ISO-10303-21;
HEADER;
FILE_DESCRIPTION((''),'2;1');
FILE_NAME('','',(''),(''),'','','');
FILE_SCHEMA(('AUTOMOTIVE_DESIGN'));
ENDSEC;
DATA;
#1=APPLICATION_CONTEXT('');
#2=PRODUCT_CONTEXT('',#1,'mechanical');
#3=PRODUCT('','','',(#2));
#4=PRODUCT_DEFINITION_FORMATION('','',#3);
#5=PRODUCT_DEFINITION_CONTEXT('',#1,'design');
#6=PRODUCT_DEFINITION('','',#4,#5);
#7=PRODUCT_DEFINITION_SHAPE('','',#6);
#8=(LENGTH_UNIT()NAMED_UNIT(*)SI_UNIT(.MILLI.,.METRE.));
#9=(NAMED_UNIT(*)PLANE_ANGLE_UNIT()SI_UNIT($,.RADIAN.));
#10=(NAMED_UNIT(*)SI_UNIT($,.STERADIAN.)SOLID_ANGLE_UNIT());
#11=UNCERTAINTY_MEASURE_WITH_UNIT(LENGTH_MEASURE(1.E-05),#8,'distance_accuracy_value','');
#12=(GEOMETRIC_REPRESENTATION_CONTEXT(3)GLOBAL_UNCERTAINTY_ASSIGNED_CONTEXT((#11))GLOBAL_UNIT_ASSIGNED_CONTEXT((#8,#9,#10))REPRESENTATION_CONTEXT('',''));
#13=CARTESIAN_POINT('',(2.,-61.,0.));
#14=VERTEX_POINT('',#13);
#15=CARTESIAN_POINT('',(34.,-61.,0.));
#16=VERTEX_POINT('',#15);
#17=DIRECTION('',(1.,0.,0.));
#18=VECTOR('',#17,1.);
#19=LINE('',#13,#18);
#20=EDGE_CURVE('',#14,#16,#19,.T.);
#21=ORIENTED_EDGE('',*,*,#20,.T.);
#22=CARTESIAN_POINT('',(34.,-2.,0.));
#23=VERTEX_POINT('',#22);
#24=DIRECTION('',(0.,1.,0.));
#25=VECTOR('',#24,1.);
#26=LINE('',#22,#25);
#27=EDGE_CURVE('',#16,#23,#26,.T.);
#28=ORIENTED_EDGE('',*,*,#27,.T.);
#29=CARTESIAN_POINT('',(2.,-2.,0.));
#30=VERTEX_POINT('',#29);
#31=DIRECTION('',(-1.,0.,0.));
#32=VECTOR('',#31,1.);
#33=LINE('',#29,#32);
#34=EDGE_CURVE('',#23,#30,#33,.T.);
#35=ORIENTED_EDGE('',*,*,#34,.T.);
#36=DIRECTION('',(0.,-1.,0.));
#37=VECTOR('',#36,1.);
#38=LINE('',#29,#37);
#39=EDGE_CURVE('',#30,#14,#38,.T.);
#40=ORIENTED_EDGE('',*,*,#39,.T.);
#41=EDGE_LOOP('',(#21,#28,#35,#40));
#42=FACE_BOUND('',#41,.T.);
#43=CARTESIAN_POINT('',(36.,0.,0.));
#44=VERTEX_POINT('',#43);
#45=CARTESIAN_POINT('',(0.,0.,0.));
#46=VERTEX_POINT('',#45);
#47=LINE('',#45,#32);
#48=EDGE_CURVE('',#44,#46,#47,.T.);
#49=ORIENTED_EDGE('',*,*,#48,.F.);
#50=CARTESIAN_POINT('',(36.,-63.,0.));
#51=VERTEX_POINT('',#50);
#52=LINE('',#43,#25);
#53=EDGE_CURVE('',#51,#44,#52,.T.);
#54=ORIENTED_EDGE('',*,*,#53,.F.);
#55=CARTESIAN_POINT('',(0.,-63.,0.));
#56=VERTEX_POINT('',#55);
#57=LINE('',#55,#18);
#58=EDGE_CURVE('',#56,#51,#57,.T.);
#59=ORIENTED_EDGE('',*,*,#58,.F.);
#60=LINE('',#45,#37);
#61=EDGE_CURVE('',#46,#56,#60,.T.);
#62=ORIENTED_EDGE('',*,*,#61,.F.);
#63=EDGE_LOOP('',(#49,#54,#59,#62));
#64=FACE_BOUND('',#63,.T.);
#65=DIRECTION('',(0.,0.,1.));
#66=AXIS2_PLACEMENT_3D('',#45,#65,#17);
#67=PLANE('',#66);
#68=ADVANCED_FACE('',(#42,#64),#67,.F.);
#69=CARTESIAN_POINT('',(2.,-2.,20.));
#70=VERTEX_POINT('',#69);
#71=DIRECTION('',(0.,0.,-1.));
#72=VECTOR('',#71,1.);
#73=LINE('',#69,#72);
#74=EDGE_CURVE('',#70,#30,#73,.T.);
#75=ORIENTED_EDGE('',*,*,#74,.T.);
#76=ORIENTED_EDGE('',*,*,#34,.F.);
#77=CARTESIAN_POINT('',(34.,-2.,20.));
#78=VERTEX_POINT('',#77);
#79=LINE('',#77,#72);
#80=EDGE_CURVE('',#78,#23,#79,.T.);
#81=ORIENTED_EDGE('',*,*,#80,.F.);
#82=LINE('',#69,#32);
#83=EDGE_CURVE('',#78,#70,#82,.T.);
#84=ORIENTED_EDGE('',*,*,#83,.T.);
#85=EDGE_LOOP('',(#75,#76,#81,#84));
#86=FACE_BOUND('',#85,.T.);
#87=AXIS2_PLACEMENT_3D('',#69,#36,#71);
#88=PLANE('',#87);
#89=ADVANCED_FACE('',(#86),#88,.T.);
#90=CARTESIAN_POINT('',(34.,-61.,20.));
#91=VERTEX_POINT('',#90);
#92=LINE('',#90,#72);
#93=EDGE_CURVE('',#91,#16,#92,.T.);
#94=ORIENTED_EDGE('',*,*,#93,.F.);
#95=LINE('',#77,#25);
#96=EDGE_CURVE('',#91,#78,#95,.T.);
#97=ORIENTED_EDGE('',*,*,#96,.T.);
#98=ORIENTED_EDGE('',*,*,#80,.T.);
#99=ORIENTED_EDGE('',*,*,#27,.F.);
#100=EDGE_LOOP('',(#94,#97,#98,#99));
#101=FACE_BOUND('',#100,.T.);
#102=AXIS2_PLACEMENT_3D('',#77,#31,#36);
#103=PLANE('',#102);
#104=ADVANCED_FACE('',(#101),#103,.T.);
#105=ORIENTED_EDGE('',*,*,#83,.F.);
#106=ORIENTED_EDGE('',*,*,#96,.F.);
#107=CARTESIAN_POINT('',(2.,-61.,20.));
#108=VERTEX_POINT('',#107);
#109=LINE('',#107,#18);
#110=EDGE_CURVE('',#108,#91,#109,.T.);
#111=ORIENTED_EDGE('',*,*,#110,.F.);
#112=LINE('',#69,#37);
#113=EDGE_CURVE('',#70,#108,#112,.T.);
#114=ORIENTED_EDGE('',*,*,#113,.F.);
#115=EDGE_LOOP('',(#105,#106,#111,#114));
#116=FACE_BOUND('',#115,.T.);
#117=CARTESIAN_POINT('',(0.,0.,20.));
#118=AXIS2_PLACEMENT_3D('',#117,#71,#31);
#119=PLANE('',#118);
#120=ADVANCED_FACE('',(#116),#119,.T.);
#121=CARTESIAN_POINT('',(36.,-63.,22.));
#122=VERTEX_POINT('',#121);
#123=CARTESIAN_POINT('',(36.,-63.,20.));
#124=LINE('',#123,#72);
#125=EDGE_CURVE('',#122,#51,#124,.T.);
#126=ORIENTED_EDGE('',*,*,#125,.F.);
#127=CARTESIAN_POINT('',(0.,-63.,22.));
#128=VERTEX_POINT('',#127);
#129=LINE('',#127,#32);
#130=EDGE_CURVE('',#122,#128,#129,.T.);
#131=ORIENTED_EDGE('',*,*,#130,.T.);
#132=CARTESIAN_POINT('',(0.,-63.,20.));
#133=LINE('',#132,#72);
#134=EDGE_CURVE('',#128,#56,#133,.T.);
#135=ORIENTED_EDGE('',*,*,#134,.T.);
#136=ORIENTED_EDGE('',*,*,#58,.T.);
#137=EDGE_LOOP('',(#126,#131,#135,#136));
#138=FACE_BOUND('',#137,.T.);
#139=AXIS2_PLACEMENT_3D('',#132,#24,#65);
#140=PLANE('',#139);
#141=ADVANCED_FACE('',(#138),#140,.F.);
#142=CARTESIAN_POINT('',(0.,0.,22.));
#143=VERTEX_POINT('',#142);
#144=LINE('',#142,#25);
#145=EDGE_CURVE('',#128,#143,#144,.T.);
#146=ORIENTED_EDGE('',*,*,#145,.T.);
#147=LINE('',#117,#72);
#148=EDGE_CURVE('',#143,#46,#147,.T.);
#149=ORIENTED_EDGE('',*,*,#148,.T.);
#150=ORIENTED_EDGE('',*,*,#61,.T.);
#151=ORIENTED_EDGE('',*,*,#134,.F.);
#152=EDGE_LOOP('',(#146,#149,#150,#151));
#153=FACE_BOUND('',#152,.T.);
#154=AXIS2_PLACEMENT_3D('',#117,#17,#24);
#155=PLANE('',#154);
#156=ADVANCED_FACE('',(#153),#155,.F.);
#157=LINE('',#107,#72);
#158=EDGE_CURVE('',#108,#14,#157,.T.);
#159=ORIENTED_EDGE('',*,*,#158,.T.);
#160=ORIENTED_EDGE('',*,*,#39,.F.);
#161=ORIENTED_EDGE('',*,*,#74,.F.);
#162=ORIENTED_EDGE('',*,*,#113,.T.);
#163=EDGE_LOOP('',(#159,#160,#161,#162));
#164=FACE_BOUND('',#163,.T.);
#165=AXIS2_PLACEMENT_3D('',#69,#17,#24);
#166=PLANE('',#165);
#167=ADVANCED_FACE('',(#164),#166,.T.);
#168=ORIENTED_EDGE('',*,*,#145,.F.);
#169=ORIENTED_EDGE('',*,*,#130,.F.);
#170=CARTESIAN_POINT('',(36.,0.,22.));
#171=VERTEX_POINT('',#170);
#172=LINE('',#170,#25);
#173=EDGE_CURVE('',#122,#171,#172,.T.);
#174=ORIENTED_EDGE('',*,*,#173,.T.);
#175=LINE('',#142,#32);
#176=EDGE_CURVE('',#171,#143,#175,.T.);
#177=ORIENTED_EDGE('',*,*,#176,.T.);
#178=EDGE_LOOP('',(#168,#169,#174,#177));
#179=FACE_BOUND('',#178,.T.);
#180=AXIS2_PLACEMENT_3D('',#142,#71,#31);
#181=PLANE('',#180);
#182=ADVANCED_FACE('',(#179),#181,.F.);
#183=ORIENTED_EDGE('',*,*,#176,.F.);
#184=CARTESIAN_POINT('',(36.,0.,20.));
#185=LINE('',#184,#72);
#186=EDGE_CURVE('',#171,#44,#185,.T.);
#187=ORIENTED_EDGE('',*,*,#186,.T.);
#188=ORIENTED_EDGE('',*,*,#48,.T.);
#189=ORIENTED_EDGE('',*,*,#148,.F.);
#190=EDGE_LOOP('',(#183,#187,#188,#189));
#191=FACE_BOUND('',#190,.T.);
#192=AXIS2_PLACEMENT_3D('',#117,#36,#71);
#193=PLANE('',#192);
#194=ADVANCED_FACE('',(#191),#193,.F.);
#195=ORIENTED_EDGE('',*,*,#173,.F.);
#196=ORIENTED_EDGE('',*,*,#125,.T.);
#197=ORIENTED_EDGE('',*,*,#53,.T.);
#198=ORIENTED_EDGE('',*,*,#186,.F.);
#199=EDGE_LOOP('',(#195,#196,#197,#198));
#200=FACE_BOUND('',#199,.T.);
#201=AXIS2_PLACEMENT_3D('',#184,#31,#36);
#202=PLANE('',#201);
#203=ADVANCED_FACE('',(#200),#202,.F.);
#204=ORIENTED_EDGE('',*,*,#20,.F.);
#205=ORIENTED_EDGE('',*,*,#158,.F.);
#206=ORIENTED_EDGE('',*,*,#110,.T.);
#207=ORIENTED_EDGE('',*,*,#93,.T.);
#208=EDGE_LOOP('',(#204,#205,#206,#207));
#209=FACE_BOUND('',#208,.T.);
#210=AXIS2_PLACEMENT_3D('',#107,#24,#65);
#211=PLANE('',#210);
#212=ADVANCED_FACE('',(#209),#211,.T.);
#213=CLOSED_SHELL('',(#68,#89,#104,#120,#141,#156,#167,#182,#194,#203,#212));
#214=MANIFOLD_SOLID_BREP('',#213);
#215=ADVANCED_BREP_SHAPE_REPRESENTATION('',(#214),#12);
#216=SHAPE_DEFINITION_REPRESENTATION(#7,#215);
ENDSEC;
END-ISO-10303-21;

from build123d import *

# Parameters (mm, degrees)
SKETCH1_W         = 36
SKETCH1_H         = 63
SKETCH1_W_2       = 32
SKETCH1_H_2       = 59
WALL_HEIGHT_DEPTH = 20
ROOF_START        = 20
SKETCH1_3_W       = 36
SKETCH1_3_H       = 63
SKETCH1_3_W_2     = 32
SKETCH1_3_H_2     = 59
ROOF_DEPTH        = 2


with BuildPart() as part:
    # Sketch1 → Wall_Height (new body)
    with BuildSketch(Plane.XY):
        with Locations((18, -31.5)):
            Rectangle(SKETCH1_W, SKETCH1_H)
        with Locations((18, -31.5)):
            Rectangle(SKETCH1_W_2, SKETCH1_H_2, mode=Mode.SUBTRACT)
    extrude(amount=WALL_HEIGHT_DEPTH)

    # Sketch1<3> → Roof (add)
    # profile 1 of 2: a face of its own
    with BuildSketch(Plane.XY.offset(ROOF_START)):
        with Locations((18, -31.5)):
            Rectangle(SKETCH1_3_W, SKETCH1_3_H)
        with Locations((18, -31.5)):
            Rectangle(SKETCH1_3_W_2, SKETCH1_3_H_2, mode=Mode.SUBTRACT)
    # profile 2 of 2: a face of its own
    with BuildSketch(Plane.XY.offset(ROOF_START)):
        with Locations((18, -31.5)):
            Rectangle(SKETCH1_3_W_2, SKETCH1_3_H_2)
    extrude(amount=ROOF_DEPTH)


solid = part.part
